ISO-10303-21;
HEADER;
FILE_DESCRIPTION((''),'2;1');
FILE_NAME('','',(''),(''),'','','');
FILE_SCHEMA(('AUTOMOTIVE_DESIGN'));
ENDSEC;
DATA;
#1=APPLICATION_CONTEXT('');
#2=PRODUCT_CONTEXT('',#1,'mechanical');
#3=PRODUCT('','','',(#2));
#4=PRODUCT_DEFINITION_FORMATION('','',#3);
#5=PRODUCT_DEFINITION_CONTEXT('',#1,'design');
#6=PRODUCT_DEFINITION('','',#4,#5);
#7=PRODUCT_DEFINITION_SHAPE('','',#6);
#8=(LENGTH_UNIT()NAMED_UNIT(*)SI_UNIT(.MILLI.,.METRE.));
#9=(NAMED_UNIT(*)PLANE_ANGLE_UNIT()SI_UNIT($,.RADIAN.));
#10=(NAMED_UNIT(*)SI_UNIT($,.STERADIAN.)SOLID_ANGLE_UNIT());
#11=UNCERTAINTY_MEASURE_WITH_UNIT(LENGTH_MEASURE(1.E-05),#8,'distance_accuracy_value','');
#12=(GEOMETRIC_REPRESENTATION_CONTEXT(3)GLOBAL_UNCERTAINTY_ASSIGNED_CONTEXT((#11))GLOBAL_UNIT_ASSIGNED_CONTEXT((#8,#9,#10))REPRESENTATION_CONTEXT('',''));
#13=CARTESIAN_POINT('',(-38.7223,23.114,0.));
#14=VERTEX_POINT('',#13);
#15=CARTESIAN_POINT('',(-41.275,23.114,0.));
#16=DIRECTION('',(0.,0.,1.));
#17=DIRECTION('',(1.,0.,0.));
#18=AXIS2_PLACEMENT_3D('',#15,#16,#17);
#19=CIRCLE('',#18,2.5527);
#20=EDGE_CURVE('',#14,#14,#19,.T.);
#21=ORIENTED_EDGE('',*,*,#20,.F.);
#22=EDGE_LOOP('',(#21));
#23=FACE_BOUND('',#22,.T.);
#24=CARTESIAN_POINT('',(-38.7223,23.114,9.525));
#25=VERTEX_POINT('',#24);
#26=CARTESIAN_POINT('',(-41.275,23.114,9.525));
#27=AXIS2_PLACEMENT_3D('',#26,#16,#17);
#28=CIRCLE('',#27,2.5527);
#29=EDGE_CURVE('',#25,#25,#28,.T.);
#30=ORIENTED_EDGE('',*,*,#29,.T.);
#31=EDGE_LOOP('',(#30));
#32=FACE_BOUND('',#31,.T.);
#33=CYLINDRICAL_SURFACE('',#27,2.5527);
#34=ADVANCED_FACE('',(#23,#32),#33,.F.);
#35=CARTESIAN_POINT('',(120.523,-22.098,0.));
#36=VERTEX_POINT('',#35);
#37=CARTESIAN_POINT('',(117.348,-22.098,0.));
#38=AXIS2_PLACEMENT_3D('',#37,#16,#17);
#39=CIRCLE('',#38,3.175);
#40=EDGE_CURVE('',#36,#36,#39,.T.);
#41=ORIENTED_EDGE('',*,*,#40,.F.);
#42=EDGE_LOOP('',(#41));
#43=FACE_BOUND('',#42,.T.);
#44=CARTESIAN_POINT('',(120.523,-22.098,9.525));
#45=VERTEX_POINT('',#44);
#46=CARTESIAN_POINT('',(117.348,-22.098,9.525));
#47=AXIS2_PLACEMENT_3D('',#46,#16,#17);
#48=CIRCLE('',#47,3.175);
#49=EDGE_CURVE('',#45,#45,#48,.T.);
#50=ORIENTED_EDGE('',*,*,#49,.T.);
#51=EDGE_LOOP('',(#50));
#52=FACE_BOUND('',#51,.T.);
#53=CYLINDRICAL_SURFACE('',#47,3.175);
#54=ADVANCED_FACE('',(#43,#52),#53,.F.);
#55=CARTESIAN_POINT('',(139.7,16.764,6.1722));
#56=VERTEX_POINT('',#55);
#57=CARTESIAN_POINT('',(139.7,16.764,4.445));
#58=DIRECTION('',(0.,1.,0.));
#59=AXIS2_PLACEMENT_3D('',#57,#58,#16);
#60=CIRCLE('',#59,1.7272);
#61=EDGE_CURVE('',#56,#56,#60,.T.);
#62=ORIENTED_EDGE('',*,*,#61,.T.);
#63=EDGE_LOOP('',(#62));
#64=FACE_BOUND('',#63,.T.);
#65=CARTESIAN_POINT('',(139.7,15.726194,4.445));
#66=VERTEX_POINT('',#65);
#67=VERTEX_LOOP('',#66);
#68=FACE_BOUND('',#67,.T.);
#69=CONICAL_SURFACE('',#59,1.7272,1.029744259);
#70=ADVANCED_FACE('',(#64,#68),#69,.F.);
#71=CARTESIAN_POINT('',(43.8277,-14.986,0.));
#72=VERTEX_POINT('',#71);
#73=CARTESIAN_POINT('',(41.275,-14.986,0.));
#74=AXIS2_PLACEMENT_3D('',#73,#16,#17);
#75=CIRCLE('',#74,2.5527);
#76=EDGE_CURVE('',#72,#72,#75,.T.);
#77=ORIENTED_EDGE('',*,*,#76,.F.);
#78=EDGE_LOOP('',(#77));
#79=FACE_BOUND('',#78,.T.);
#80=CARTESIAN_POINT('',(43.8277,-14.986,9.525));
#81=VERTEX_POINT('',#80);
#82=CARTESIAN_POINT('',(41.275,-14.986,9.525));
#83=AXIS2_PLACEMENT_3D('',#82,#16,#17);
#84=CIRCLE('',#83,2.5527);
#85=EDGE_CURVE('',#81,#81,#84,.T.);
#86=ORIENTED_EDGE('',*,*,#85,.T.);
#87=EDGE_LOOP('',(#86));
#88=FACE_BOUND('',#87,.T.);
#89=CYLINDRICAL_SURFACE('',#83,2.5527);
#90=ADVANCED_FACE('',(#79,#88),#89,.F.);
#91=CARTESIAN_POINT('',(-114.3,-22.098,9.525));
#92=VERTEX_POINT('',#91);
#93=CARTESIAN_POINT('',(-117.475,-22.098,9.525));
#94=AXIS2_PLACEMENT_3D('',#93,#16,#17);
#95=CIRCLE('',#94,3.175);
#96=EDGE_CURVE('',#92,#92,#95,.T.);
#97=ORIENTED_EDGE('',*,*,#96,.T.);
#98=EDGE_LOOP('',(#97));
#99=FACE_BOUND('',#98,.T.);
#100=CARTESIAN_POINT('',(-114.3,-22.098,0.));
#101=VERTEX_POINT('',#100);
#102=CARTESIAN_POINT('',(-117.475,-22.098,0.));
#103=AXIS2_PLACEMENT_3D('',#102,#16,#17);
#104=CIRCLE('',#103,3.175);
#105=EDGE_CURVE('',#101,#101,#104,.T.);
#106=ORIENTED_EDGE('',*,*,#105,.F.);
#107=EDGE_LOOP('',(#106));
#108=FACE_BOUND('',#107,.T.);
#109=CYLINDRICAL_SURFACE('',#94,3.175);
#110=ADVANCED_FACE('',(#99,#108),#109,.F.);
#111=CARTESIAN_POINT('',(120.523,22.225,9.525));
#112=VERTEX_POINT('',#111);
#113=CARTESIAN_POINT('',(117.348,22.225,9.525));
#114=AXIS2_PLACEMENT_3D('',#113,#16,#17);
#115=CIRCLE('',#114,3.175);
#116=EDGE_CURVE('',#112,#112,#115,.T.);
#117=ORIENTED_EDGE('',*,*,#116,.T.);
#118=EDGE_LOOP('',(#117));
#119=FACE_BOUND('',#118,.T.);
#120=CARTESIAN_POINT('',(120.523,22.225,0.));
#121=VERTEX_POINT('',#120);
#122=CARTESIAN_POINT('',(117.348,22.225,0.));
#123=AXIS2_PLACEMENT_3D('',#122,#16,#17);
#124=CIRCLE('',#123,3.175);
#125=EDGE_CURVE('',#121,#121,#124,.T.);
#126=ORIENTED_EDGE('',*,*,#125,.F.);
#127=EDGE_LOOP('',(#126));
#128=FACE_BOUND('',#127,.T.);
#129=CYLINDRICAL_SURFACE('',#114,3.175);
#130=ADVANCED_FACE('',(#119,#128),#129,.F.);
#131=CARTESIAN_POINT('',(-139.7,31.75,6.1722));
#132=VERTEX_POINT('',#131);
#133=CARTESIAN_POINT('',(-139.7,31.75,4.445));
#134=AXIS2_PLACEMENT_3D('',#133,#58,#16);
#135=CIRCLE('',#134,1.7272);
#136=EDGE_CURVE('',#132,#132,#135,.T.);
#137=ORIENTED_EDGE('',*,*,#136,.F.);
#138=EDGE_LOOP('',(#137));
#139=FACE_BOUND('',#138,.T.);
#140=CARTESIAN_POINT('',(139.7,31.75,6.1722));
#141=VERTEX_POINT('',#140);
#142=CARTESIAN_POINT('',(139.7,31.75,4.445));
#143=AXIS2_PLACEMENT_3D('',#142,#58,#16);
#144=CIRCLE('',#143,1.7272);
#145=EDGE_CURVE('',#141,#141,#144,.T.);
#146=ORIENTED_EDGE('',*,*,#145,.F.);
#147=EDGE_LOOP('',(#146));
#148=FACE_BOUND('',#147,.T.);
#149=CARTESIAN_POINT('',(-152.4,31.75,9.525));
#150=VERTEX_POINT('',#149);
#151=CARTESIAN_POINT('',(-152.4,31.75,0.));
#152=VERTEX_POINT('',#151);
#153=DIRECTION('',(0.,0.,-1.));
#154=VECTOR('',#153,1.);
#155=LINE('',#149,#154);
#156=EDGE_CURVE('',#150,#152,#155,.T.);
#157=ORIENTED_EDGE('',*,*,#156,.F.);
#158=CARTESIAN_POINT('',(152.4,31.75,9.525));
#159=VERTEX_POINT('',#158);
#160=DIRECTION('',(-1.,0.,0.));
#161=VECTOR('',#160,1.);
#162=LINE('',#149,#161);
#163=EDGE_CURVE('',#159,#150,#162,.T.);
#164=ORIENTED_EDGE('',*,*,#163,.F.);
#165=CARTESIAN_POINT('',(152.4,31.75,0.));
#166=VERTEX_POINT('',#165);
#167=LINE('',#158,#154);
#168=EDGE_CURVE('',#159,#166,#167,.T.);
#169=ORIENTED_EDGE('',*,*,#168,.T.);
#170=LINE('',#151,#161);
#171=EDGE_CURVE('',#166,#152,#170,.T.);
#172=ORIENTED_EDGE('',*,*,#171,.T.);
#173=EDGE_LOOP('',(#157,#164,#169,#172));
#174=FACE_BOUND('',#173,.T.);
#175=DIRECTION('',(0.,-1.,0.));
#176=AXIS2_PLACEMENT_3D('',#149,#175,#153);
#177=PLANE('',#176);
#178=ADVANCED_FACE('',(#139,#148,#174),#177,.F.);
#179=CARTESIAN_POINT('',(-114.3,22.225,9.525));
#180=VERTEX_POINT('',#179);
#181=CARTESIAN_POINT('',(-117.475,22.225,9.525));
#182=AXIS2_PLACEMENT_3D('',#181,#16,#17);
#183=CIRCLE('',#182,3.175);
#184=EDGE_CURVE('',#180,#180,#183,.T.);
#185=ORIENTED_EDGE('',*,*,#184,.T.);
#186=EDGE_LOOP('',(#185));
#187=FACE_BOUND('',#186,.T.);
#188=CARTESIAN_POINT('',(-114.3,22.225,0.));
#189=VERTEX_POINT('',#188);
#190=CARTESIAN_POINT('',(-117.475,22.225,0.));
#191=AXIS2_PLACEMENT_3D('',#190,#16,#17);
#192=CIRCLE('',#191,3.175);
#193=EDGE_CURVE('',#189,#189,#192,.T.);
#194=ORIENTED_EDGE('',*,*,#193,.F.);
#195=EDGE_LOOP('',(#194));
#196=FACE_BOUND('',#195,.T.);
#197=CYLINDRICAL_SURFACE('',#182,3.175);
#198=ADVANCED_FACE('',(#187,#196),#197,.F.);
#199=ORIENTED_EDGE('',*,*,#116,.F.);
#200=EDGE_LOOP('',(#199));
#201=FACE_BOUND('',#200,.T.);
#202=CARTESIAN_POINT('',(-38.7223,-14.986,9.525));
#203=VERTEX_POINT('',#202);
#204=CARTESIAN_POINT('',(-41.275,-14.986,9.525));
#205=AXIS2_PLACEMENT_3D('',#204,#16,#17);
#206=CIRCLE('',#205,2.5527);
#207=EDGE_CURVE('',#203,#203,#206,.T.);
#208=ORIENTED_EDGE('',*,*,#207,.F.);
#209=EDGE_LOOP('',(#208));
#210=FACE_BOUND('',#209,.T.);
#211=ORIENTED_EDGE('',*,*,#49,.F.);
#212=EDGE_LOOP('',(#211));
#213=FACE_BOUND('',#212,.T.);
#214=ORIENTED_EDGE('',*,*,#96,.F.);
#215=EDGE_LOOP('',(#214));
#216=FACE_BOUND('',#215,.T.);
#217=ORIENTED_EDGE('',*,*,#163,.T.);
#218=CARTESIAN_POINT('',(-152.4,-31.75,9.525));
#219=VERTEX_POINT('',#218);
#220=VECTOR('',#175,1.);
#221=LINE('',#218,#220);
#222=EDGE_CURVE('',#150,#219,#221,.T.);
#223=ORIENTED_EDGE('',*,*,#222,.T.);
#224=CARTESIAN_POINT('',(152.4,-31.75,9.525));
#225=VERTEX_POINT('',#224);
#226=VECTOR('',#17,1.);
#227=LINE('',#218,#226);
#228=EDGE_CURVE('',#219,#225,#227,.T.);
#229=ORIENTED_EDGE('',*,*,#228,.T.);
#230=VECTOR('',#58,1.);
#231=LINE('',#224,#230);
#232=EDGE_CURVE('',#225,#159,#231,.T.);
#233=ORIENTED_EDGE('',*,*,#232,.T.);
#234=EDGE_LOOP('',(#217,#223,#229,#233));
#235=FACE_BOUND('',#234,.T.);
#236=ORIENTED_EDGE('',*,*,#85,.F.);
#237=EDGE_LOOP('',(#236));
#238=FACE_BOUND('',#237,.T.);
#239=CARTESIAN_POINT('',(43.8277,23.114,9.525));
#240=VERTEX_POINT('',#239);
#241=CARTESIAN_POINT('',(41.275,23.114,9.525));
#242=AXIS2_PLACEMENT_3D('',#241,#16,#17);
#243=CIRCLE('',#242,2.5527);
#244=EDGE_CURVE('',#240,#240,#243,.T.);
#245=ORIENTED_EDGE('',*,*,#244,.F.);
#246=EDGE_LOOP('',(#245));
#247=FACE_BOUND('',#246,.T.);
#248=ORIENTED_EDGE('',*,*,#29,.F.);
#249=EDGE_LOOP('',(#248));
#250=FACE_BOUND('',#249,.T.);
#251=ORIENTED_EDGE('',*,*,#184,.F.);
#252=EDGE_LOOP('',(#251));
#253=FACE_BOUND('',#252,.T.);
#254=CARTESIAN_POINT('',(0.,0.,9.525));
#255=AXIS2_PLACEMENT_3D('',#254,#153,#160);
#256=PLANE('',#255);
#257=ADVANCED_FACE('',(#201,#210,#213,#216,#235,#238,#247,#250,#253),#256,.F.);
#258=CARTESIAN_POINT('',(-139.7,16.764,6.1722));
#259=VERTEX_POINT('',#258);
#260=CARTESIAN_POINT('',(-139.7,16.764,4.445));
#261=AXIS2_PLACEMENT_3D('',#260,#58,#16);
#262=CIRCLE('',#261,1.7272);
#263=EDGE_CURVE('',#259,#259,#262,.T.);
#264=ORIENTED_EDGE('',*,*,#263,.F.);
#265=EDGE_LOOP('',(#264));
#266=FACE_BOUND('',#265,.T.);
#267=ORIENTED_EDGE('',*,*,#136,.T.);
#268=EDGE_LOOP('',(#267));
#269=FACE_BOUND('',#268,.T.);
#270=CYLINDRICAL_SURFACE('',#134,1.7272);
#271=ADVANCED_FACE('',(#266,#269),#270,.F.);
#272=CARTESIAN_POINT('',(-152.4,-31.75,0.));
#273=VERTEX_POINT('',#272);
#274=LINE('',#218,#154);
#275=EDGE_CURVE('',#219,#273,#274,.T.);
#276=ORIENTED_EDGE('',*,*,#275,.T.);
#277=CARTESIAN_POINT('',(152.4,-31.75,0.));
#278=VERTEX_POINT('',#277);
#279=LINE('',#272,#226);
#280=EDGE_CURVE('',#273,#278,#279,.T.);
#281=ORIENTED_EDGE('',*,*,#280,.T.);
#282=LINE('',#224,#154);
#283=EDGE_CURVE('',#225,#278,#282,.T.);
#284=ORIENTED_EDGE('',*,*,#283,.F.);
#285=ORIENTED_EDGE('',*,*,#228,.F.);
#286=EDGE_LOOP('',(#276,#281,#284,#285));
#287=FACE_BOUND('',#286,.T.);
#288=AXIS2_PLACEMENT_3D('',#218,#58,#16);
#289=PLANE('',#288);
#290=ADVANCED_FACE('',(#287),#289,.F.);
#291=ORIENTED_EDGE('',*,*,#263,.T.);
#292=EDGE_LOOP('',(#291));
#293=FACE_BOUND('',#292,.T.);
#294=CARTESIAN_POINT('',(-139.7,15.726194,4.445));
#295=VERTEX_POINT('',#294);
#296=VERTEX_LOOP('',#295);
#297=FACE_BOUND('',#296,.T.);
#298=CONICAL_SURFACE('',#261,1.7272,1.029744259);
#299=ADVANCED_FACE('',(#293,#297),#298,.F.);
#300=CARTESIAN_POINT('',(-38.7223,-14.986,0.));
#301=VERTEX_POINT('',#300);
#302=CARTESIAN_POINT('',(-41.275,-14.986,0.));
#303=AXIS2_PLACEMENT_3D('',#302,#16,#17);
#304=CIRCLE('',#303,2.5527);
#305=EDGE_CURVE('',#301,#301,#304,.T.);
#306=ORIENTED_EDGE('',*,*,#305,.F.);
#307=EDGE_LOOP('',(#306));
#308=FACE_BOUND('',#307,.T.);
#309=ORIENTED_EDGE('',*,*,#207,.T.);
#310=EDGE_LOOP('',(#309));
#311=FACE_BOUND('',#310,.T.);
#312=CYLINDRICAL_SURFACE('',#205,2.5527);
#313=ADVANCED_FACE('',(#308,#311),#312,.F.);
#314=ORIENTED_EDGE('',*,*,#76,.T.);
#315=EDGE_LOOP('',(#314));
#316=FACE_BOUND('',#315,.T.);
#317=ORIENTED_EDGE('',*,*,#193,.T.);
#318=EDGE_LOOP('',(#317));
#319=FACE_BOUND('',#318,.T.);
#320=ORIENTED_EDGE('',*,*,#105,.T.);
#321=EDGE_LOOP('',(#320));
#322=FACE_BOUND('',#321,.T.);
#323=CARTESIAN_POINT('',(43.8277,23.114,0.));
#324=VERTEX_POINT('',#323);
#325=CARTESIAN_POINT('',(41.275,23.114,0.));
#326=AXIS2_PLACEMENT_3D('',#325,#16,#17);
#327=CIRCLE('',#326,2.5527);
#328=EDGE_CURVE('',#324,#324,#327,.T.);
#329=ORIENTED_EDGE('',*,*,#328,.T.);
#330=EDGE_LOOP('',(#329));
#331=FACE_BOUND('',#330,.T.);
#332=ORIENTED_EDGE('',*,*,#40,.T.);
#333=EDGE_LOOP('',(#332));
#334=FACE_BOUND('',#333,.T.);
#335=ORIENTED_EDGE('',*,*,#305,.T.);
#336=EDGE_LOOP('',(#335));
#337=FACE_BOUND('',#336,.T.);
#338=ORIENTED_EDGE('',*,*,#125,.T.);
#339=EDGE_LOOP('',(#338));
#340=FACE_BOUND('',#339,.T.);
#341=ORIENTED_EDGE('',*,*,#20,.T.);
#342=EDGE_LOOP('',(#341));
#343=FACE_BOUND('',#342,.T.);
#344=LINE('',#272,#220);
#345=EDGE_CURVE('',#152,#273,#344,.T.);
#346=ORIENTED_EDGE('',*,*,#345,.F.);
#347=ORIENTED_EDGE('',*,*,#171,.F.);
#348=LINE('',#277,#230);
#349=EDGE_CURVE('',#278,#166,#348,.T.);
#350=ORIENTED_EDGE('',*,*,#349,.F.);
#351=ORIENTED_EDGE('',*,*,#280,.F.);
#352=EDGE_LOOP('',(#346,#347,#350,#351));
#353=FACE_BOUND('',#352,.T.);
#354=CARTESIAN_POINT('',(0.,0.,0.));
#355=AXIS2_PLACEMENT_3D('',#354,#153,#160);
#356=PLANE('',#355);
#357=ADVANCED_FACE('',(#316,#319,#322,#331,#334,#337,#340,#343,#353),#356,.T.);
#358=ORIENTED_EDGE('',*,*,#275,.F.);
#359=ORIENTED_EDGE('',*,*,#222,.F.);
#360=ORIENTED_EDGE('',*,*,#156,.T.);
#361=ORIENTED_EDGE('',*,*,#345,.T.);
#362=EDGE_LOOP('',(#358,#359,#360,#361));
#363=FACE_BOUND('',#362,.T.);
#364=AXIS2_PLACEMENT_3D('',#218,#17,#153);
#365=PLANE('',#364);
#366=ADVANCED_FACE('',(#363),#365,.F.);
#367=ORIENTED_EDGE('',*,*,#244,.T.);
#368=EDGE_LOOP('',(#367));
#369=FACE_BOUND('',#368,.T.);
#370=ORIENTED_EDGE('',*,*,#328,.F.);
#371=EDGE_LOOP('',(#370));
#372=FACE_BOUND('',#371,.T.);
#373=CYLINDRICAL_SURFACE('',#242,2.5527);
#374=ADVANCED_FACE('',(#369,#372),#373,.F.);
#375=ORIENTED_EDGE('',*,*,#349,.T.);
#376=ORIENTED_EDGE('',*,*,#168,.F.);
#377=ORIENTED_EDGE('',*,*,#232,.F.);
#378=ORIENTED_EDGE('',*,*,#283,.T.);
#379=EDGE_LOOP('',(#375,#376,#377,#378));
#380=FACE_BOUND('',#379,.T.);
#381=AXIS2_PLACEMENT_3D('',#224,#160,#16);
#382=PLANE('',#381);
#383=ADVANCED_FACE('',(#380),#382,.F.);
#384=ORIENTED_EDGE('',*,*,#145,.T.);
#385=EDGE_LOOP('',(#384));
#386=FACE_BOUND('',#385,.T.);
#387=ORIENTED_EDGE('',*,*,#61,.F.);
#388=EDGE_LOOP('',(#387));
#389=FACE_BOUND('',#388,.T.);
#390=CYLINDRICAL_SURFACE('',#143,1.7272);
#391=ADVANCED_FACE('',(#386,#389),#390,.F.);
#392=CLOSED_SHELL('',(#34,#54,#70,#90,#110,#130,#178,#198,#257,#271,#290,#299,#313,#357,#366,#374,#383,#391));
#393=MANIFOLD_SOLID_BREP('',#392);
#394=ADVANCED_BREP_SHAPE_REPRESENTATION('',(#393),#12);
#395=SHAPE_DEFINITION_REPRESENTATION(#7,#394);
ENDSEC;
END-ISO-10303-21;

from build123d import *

# Parameters (mm, degrees)
SKETCH1_W                   = 304.8
SKETCH1_H                   = 63.5
BOSS_EXTRUDE1_DEPTH         = 9.525
F_1_4_20_TAPPED_HOLE1_D     = 5.1054
F_1_4_0_25_DIAMETER_HOLE1_D = 6.35
F_8_32_TAPPED_HOLE1_D       = 3.4544
F_8_32_TAPPED_HOLE1_DEPTH   = 14.986
F_8_32_TAPPED_HOLE1_TIP     = 1.037806461


with BuildPart() as part:
    # Sketch1 → Boss-Extrude1 (new body)
    with BuildSketch(Plane.XY):
        Rectangle(SKETCH1_W, SKETCH1_H)
    extrude(amount=BOSS_EXTRUDE1_DEPTH)

    # 1/4-20 Tapped Hole1 (through all)
    with Locations(Plane(origin=(-41.275, 23.114, 9.525), x_dir=(1, 0, 0), z_dir=(0, 0, 1))):
        with Locations((0, 0), (82.55, 0), (82.55, -38.1), (0, -38.1)):
            Hole(F_1_4_20_TAPPED_HOLE1_D / 2)

    # 1/4 (0.25) Diameter Hole1 (through all)
    with Locations(Plane(origin=(-117.475, 22.225, 9.525), x_dir=(1, 0, 0), z_dir=(0, 0, 1))):
        with Locations((0, 0), (0, -44.323), (234.823, -44.323), (234.823, 0)):
            Hole(F_1_4_0_25_DIAMETER_HOLE1_D / 2)

    # #8-32 Tapped Hole1
    with Locations(Plane(origin=(-139.7, 31.75, 4.445), x_dir=(0, 0, 1), z_dir=(0, 1, 0))):
        with Locations((0, 0), (0, 279.4)):
            Hole(F_8_32_TAPPED_HOLE1_D / 2, depth=F_8_32_TAPPED_HOLE1_DEPTH)
            with Locations((0, 0, -(F_8_32_TAPPED_HOLE1_DEPTH + F_8_32_TAPPED_HOLE1_TIP / 2))):  # 118° drill point
                Cone(0, F_8_32_TAPPED_HOLE1_D / 2, F_8_32_TAPPED_HOLE1_TIP, mode=Mode.SUBTRACT)


solid = part.part
